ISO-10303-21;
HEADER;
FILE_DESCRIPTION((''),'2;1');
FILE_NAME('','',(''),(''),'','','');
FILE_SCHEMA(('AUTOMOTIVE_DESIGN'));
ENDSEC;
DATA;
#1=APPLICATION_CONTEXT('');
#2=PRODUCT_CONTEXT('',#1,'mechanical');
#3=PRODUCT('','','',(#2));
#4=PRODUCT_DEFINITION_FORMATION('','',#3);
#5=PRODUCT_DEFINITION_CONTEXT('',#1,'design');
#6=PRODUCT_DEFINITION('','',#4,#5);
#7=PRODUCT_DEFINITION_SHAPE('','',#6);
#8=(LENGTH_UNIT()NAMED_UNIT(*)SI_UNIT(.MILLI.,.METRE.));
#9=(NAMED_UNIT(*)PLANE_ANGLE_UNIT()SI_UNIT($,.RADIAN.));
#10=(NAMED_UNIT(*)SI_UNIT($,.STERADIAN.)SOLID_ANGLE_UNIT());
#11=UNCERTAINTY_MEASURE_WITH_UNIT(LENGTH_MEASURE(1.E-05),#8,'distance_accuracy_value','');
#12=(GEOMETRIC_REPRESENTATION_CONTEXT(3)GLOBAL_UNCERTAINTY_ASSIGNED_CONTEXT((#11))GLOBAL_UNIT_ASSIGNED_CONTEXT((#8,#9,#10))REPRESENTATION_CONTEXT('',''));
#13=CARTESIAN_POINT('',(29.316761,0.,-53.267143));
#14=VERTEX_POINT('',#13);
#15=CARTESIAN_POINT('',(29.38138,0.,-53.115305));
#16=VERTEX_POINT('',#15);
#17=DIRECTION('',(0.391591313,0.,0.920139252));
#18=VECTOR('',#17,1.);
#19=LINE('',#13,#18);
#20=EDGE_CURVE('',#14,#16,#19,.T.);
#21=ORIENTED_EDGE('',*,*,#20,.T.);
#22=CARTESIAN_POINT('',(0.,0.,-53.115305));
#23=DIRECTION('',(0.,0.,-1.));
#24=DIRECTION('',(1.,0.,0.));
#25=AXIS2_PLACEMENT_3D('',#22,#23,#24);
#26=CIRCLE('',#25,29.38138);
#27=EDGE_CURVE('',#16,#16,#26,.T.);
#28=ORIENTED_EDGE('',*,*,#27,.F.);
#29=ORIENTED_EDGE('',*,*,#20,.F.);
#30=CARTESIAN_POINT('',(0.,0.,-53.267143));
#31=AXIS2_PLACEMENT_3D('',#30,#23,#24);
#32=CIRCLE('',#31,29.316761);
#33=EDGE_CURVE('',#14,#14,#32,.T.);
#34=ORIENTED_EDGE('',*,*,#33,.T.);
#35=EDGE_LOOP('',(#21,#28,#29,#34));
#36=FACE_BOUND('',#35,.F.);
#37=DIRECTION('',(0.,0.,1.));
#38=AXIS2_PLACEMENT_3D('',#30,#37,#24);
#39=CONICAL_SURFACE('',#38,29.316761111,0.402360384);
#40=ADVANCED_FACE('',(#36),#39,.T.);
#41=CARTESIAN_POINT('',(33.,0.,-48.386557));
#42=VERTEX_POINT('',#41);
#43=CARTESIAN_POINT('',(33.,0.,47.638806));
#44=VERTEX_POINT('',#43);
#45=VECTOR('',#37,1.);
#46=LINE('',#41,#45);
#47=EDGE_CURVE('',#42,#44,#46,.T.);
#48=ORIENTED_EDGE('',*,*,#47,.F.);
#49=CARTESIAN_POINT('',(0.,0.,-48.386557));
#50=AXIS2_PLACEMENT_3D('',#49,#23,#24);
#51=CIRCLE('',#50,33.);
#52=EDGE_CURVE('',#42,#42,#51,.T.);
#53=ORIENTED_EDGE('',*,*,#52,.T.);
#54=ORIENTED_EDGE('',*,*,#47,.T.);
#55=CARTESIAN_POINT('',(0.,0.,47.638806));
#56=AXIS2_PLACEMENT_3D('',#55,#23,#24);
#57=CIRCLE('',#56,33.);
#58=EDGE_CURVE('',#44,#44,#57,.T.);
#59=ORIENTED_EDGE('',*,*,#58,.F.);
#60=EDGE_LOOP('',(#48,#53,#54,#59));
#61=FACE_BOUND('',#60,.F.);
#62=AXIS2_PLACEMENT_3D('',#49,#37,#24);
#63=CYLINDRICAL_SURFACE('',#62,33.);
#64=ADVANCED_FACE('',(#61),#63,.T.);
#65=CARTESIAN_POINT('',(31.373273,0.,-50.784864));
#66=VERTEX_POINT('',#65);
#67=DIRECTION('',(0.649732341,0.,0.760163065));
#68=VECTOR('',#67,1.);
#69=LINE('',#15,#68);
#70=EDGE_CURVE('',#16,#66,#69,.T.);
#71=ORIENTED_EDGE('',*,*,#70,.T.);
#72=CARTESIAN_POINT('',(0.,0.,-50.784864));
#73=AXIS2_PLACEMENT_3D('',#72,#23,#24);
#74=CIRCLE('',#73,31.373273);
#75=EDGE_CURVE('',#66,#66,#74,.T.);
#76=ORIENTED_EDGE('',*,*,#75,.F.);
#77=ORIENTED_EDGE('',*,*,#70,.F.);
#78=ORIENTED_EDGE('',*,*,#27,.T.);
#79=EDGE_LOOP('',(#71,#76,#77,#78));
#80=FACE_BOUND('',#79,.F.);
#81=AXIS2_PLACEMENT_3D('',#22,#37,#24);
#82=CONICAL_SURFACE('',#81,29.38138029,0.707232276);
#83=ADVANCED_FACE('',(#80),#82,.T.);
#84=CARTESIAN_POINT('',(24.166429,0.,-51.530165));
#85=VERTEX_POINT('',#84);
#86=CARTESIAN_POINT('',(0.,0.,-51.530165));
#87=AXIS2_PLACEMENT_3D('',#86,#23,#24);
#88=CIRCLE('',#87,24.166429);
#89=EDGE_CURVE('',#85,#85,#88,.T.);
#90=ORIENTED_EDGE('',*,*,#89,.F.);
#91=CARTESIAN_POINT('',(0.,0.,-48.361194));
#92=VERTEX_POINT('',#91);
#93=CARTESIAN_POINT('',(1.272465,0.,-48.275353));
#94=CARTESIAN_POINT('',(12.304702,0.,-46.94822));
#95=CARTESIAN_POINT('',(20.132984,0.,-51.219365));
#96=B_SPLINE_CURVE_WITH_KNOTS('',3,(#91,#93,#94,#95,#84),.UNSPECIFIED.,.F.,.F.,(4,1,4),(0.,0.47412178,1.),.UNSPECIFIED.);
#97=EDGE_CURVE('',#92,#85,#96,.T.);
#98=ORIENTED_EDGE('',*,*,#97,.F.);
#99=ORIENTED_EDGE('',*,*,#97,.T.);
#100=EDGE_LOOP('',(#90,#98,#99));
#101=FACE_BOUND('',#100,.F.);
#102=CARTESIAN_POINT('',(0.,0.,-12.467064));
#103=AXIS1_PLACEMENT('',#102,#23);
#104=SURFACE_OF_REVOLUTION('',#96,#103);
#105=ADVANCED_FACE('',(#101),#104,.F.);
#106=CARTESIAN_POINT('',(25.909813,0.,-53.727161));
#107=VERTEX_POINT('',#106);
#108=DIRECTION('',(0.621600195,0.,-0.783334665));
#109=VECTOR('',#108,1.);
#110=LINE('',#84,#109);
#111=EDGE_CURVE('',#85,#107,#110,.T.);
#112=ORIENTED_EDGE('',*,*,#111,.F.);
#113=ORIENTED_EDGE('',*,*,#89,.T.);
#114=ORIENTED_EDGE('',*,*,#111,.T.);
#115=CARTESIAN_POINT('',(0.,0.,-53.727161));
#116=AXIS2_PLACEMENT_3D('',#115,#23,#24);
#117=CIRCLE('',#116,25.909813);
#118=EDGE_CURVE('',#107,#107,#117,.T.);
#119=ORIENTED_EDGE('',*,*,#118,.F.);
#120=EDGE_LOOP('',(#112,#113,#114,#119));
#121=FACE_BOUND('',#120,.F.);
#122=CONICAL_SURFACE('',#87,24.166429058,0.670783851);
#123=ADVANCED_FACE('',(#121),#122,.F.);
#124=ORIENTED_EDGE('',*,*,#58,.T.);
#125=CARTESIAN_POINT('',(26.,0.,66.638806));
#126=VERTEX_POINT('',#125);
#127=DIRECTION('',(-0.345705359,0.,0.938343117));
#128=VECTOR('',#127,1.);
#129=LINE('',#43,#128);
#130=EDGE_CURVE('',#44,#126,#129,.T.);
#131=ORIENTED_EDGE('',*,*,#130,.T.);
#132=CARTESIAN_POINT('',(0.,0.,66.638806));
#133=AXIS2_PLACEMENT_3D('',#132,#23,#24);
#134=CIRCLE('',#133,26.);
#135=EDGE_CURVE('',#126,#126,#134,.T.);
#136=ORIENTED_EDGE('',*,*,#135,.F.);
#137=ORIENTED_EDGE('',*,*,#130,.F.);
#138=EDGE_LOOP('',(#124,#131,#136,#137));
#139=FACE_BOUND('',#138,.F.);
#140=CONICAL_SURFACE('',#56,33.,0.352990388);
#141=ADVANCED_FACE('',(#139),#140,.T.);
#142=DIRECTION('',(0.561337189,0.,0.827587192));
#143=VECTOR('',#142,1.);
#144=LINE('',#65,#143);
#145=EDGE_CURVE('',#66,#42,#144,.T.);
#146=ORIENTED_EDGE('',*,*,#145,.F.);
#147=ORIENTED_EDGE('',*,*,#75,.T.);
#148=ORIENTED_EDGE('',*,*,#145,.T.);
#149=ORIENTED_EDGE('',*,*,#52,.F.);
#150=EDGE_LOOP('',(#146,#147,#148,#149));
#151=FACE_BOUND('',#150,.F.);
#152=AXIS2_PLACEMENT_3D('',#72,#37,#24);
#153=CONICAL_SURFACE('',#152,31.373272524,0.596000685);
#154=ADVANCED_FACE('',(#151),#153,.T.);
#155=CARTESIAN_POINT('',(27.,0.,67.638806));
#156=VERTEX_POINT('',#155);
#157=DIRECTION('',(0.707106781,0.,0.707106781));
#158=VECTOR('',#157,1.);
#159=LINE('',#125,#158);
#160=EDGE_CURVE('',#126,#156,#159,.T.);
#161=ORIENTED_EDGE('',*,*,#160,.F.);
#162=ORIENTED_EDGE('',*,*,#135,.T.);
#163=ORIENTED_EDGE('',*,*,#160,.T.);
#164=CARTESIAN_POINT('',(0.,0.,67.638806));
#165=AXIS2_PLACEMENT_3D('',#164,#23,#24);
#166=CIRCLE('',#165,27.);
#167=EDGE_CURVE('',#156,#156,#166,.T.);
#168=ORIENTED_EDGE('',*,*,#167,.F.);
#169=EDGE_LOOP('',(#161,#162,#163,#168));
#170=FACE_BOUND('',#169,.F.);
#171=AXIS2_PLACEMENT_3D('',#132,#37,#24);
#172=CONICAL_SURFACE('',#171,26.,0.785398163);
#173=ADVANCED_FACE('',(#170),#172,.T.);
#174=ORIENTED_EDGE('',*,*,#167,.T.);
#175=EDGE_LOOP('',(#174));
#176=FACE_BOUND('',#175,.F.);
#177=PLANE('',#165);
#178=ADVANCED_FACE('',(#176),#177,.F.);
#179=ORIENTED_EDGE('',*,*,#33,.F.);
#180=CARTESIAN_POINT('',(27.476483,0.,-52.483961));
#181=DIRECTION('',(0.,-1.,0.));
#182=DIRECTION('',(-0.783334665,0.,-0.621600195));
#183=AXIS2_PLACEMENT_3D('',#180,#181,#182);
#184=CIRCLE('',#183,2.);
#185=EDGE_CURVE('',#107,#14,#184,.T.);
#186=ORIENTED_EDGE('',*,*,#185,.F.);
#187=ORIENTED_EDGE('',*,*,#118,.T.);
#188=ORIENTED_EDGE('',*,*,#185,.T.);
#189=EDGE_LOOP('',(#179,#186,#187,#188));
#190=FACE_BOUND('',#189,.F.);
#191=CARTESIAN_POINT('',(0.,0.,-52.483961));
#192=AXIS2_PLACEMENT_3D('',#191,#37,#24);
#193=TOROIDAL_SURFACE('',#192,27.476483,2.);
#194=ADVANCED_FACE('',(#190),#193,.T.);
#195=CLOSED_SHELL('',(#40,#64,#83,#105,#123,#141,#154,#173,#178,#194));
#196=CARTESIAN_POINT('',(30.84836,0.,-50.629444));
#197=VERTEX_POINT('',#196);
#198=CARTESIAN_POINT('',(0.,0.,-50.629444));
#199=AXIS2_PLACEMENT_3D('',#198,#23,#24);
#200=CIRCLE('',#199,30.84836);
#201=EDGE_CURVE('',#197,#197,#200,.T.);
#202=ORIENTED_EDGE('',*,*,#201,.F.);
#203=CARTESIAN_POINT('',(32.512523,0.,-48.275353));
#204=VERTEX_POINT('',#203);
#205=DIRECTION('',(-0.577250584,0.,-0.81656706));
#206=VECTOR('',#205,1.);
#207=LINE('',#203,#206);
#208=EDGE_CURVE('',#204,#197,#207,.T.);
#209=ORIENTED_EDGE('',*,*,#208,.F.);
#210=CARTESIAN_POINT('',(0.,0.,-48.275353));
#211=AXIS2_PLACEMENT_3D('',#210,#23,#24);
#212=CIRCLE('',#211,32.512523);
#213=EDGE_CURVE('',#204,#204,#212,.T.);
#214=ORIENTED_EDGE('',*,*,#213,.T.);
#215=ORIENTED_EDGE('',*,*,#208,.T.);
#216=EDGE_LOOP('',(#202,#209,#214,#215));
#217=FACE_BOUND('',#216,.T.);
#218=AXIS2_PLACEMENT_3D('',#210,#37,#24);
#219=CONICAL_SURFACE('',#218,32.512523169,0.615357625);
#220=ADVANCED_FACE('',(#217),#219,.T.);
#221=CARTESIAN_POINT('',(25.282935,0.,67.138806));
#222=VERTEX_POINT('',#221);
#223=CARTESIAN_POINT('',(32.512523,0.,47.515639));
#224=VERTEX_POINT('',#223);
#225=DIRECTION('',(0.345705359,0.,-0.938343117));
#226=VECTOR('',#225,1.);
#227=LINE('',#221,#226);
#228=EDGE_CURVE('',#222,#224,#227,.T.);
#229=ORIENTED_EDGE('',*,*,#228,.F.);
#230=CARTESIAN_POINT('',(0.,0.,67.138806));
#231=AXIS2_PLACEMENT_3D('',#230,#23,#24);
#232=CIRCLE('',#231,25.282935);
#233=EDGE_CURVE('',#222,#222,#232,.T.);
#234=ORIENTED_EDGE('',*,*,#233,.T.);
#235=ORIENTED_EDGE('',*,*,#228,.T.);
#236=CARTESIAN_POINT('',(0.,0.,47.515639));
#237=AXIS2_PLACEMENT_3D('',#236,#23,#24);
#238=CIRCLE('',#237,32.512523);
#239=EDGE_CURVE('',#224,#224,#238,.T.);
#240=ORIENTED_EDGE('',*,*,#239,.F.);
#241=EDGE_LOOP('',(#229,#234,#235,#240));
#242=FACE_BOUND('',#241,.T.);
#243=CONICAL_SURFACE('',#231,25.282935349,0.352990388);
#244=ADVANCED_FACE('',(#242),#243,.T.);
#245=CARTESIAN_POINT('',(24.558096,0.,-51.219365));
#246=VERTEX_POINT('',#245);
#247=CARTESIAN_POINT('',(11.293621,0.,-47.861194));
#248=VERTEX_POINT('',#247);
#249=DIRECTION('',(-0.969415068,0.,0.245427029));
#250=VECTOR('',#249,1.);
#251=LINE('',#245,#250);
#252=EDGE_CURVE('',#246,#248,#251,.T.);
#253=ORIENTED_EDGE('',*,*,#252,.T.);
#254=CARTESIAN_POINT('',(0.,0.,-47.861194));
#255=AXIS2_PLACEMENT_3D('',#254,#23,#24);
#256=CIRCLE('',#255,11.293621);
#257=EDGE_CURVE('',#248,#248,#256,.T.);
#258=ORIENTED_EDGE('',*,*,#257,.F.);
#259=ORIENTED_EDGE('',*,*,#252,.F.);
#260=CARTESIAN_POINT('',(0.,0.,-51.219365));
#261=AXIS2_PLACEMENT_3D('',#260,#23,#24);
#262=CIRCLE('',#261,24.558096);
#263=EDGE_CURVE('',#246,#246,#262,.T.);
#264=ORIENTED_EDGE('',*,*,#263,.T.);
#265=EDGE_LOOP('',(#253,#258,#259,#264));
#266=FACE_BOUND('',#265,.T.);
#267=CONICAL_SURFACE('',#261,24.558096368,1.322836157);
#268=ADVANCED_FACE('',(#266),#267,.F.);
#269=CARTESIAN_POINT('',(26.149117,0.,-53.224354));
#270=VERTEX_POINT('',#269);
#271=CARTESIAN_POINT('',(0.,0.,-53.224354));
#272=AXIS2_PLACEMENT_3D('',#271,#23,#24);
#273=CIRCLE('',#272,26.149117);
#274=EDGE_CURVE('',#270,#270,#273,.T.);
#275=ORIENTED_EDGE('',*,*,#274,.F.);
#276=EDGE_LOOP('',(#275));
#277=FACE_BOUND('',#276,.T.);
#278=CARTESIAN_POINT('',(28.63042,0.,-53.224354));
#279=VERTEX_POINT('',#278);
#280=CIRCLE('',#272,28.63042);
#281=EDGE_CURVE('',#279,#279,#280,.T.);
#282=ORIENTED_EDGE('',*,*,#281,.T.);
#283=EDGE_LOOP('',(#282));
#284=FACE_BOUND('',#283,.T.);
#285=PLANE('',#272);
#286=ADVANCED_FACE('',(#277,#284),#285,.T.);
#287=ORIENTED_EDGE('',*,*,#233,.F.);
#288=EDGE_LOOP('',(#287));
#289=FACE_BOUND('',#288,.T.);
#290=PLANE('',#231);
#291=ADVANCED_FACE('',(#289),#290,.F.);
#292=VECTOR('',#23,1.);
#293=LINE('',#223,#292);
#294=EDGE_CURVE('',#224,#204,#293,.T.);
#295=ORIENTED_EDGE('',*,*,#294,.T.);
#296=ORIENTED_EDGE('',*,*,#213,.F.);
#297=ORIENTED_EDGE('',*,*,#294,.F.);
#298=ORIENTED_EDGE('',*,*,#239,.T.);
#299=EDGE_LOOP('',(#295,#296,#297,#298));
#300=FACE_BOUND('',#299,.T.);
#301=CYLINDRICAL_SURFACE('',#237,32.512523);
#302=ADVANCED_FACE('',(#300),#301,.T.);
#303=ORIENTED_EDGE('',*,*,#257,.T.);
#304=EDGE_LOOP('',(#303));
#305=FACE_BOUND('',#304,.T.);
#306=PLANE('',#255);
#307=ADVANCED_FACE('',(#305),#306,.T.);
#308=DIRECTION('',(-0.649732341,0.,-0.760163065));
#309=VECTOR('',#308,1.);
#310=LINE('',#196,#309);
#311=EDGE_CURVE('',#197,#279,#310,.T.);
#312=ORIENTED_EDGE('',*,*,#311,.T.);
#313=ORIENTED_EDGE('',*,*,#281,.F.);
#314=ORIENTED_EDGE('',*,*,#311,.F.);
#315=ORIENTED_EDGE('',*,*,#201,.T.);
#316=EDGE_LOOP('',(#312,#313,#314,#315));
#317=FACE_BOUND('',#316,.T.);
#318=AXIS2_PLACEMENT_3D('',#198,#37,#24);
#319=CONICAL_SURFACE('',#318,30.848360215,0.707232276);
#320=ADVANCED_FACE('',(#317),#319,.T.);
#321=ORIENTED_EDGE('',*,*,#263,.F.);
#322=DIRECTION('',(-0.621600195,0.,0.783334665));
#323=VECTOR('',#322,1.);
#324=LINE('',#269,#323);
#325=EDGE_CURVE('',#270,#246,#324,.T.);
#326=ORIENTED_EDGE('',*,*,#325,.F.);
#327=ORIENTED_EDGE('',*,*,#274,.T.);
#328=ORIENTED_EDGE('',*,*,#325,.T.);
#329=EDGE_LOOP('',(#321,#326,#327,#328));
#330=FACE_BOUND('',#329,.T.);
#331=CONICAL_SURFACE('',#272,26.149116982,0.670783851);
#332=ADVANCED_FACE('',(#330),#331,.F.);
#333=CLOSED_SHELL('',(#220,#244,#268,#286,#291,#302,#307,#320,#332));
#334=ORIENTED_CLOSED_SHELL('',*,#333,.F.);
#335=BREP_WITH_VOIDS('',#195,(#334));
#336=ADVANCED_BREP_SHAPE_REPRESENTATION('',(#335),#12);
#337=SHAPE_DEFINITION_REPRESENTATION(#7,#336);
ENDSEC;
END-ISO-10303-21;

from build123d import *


with BuildPart() as f1:
    # F0 (on Front) → F1 (revolve)
    with BuildSketch(Plane.XZ):
        with BuildLine():
            Line((31.3732725236, -50.7848635919), (33, -48.3865567473))
            Line((33, -48.3865567473), (33, 47.6388056352))
            Line((33, 47.6388056352), (26, 66.6388056352))
            Line((26, 66.6388056352), (27, 67.6388056352))
            Line((27, 67.6388056352), (0, 67.6388056352))
            Line((0, 67.6388056352), (0, 67.1388056352))
            Line((0, 67.1388056352), (25.2829353492, 67.1388056352))
            Line((25.2829353492, 67.1388056352), (32.5125231688, 47.5156386963))
            Line((32.5125231688, 47.5156386963), (32.5125231688, -48.275352705))
            Line((32.5125231688, -48.275352705), (30.8483602147, -50.6294441303))
            Line((30.8483602147, -50.6294441303), (28.6304195036, -53.2243536056))
            Line((28.6304195036, -53.2243536056), (26.1491169821, -53.2243536056))
            Line((26.1491169821, -53.2243536056), (24.5580963685, -51.219364533))
            Line((24.5580963685, -51.219364533), (11.2936210732, -47.8611943648))
            Line((11.2936210732, -47.8611943648), (0, -47.8611943648))
            Line((0, -47.8611943648), (0, -48.3611943648))
            add(Edge.make_bspline(
                [(0, -48.3611943648), (1.2724647789, -48.275352705), (12.304702125, -46.9482202269), (20.1329840553, -51.219364533), (24.1664290581, -51.5301646585)],
                knots=[0, 0, 0, 0, 0.4741217804, 1, 1, 1, 1], degree=3))
            Line((24.1664290581, -51.5301646585), (25.9098132764, -53.7271608992))
            ThreePointArc((25.9098132764, -53.7271608992), (27.7441009558, -54.4659747414), (29.3167611107, -53.2671431347))
            Line((29.3167611107, -53.2671431347), (29.3813802901, -53.1153046197))
            Line((29.3813802901, -53.1153046197), (31.3732725236, -50.7848635919))
        make_face()
    revolve(axis=Axis((0, 0, -12.467063805), (0, 0, -1)))


solid = f1.part
